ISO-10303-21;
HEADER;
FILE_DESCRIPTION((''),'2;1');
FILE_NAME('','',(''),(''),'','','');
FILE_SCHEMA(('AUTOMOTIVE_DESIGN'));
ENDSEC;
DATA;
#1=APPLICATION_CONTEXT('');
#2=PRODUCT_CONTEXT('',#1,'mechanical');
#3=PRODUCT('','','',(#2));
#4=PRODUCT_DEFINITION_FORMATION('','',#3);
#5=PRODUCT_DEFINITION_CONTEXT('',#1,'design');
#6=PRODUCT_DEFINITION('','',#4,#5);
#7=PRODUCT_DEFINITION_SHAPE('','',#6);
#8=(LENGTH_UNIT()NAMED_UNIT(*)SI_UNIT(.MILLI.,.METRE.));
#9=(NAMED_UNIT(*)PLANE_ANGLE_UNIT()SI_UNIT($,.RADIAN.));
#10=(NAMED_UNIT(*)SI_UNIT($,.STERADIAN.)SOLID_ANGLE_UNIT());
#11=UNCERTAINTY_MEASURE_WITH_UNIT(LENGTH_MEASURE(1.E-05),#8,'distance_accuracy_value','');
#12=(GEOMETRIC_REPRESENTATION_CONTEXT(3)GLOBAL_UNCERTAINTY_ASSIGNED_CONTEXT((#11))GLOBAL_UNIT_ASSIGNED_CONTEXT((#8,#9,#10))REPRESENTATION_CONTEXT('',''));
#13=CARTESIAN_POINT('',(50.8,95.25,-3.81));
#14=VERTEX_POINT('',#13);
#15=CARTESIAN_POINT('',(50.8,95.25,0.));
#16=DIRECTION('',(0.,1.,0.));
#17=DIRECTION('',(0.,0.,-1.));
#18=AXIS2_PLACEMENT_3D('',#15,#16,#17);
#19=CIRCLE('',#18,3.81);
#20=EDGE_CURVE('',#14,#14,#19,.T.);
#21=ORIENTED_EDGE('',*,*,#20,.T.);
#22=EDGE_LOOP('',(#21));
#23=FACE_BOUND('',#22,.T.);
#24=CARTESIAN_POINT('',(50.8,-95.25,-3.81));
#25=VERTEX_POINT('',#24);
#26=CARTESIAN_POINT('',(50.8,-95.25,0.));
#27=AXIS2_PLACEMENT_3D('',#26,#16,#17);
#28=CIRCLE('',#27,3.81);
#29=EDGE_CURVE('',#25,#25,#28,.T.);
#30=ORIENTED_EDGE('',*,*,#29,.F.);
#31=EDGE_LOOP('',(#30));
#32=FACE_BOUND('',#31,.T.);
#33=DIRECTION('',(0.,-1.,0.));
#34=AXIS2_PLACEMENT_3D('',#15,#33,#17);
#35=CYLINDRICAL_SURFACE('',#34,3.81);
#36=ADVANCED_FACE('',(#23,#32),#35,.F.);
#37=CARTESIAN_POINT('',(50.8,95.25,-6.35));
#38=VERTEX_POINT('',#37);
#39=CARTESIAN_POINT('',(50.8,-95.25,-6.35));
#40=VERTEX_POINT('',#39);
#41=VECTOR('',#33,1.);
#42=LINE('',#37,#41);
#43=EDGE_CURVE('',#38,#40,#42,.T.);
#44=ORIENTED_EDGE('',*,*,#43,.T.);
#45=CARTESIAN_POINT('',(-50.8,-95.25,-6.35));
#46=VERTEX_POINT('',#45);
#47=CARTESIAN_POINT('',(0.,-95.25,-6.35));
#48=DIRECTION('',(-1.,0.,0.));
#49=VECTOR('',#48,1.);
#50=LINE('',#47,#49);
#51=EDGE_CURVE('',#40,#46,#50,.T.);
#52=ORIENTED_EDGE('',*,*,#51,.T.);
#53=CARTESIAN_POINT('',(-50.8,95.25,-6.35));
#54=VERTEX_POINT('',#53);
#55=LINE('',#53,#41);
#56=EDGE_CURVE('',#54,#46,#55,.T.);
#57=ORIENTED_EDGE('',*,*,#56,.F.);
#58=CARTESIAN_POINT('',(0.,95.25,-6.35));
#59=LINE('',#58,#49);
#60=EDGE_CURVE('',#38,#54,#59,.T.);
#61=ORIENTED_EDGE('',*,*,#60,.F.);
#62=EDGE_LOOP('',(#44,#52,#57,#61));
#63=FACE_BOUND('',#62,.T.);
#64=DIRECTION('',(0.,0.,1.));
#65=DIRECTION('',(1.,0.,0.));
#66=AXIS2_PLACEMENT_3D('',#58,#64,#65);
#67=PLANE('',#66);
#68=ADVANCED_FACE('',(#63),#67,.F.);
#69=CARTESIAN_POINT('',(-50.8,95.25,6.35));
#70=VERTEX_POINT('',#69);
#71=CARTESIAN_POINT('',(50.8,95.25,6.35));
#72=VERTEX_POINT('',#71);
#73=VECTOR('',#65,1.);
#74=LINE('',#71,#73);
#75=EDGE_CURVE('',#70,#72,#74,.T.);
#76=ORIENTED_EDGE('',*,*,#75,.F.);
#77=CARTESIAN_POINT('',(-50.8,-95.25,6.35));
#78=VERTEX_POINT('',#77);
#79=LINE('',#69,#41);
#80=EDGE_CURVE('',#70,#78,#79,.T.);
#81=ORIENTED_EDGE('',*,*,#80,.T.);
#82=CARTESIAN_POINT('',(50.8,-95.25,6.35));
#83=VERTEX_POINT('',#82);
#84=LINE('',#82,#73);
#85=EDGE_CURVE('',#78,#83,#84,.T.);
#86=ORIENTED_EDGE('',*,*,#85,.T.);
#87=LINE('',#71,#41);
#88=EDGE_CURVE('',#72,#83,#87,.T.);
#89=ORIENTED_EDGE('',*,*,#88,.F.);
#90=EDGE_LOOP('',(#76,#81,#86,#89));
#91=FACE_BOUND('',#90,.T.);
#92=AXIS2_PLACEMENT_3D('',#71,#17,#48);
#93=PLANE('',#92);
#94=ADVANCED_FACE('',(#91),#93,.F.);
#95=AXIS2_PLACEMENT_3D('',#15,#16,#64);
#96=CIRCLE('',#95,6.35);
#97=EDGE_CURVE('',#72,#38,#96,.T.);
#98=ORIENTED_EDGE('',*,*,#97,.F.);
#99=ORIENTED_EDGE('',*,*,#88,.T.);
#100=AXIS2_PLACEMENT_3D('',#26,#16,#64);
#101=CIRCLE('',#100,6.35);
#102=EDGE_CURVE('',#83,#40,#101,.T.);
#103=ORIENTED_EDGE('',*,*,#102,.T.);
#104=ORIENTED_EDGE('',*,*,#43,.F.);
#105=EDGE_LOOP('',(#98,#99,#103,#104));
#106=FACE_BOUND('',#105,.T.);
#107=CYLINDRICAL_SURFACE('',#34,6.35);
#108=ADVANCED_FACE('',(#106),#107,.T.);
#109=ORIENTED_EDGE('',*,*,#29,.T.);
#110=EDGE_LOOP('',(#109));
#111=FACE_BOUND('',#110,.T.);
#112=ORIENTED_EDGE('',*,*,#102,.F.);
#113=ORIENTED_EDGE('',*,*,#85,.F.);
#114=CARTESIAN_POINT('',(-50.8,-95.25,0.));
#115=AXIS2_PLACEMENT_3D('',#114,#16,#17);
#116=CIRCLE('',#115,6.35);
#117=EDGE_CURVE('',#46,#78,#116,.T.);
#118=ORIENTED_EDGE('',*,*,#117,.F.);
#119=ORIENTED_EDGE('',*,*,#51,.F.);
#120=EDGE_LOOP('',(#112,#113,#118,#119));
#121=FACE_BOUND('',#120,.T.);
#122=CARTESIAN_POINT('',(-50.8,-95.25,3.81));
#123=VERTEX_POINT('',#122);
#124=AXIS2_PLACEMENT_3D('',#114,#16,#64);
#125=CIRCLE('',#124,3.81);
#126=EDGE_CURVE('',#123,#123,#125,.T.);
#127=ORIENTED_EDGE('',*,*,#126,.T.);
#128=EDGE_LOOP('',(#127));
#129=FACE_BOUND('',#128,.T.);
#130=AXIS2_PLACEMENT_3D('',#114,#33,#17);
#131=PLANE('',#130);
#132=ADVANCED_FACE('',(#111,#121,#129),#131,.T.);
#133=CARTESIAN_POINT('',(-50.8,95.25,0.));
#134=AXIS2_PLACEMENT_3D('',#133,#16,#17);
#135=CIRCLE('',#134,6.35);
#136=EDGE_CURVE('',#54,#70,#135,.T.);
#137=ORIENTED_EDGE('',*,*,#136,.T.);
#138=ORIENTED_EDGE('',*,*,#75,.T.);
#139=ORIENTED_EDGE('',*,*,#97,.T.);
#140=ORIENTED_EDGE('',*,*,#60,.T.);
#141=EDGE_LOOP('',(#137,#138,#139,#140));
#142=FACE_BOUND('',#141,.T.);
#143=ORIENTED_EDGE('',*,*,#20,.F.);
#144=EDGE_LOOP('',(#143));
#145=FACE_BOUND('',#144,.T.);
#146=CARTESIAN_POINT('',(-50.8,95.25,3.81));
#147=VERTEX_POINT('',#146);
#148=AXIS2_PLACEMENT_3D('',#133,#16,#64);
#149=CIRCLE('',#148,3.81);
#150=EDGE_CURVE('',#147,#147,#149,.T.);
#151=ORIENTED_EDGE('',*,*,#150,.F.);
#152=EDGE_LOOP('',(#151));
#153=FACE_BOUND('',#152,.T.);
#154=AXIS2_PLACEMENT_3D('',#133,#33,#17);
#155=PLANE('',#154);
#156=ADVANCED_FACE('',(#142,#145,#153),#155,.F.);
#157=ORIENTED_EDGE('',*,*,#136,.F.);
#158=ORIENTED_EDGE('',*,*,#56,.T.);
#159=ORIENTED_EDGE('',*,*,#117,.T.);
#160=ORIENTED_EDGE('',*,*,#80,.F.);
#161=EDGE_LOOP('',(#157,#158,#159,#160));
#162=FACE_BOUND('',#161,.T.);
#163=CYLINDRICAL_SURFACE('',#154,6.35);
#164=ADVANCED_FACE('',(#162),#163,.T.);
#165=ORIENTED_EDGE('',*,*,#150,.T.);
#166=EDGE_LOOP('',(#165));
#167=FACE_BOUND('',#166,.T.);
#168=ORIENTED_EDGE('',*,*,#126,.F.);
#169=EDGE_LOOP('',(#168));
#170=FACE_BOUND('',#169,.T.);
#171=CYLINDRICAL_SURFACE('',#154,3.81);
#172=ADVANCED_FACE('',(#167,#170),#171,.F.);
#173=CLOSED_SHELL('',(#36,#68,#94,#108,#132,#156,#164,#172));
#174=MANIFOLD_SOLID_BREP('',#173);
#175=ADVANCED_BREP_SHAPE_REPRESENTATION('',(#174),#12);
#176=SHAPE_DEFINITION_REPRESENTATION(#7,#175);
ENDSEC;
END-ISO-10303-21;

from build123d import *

# Parameters (mm, degrees)
SKETCH1_R           = 3.81
BOSS_EXTRUDE1_DEPTH = 95.25


with BuildPart() as part:
    # Sketch1 → Boss-Extrude1 (new, symmetric)
    with BuildSketch(Plane(origin=(0, 0, 0), x_dir=(1, 0, 0), z_dir=(0, 1, 0))):
        with BuildLine():
            Line((0, 6.35), (50.8, 6.35))
            ThreePointArc((50.8, 6.35), (57.15, 0), (50.8, -6.35))
            Line((50.8, -6.35), (-50.8, -6.35))
            ThreePointArc((-50.8, -6.35), (-57.15, 0), (-50.8, 6.35))
            Line((-50.8, 6.35), (0, 6.35))
        make_face()
        with Locations(Location((-50.8, 0, 0), (0, 0, 270))):
            Circle(SKETCH1_R, mode=Mode.SUBTRACT)
        with Locations(Location((50.8, 0, 0), (0, 0, 90))):
            Circle(SKETCH1_R, mode=Mode.SUBTRACT)
    extrude(amount=BOSS_EXTRUDE1_DEPTH, both=True)


solid = part.part
